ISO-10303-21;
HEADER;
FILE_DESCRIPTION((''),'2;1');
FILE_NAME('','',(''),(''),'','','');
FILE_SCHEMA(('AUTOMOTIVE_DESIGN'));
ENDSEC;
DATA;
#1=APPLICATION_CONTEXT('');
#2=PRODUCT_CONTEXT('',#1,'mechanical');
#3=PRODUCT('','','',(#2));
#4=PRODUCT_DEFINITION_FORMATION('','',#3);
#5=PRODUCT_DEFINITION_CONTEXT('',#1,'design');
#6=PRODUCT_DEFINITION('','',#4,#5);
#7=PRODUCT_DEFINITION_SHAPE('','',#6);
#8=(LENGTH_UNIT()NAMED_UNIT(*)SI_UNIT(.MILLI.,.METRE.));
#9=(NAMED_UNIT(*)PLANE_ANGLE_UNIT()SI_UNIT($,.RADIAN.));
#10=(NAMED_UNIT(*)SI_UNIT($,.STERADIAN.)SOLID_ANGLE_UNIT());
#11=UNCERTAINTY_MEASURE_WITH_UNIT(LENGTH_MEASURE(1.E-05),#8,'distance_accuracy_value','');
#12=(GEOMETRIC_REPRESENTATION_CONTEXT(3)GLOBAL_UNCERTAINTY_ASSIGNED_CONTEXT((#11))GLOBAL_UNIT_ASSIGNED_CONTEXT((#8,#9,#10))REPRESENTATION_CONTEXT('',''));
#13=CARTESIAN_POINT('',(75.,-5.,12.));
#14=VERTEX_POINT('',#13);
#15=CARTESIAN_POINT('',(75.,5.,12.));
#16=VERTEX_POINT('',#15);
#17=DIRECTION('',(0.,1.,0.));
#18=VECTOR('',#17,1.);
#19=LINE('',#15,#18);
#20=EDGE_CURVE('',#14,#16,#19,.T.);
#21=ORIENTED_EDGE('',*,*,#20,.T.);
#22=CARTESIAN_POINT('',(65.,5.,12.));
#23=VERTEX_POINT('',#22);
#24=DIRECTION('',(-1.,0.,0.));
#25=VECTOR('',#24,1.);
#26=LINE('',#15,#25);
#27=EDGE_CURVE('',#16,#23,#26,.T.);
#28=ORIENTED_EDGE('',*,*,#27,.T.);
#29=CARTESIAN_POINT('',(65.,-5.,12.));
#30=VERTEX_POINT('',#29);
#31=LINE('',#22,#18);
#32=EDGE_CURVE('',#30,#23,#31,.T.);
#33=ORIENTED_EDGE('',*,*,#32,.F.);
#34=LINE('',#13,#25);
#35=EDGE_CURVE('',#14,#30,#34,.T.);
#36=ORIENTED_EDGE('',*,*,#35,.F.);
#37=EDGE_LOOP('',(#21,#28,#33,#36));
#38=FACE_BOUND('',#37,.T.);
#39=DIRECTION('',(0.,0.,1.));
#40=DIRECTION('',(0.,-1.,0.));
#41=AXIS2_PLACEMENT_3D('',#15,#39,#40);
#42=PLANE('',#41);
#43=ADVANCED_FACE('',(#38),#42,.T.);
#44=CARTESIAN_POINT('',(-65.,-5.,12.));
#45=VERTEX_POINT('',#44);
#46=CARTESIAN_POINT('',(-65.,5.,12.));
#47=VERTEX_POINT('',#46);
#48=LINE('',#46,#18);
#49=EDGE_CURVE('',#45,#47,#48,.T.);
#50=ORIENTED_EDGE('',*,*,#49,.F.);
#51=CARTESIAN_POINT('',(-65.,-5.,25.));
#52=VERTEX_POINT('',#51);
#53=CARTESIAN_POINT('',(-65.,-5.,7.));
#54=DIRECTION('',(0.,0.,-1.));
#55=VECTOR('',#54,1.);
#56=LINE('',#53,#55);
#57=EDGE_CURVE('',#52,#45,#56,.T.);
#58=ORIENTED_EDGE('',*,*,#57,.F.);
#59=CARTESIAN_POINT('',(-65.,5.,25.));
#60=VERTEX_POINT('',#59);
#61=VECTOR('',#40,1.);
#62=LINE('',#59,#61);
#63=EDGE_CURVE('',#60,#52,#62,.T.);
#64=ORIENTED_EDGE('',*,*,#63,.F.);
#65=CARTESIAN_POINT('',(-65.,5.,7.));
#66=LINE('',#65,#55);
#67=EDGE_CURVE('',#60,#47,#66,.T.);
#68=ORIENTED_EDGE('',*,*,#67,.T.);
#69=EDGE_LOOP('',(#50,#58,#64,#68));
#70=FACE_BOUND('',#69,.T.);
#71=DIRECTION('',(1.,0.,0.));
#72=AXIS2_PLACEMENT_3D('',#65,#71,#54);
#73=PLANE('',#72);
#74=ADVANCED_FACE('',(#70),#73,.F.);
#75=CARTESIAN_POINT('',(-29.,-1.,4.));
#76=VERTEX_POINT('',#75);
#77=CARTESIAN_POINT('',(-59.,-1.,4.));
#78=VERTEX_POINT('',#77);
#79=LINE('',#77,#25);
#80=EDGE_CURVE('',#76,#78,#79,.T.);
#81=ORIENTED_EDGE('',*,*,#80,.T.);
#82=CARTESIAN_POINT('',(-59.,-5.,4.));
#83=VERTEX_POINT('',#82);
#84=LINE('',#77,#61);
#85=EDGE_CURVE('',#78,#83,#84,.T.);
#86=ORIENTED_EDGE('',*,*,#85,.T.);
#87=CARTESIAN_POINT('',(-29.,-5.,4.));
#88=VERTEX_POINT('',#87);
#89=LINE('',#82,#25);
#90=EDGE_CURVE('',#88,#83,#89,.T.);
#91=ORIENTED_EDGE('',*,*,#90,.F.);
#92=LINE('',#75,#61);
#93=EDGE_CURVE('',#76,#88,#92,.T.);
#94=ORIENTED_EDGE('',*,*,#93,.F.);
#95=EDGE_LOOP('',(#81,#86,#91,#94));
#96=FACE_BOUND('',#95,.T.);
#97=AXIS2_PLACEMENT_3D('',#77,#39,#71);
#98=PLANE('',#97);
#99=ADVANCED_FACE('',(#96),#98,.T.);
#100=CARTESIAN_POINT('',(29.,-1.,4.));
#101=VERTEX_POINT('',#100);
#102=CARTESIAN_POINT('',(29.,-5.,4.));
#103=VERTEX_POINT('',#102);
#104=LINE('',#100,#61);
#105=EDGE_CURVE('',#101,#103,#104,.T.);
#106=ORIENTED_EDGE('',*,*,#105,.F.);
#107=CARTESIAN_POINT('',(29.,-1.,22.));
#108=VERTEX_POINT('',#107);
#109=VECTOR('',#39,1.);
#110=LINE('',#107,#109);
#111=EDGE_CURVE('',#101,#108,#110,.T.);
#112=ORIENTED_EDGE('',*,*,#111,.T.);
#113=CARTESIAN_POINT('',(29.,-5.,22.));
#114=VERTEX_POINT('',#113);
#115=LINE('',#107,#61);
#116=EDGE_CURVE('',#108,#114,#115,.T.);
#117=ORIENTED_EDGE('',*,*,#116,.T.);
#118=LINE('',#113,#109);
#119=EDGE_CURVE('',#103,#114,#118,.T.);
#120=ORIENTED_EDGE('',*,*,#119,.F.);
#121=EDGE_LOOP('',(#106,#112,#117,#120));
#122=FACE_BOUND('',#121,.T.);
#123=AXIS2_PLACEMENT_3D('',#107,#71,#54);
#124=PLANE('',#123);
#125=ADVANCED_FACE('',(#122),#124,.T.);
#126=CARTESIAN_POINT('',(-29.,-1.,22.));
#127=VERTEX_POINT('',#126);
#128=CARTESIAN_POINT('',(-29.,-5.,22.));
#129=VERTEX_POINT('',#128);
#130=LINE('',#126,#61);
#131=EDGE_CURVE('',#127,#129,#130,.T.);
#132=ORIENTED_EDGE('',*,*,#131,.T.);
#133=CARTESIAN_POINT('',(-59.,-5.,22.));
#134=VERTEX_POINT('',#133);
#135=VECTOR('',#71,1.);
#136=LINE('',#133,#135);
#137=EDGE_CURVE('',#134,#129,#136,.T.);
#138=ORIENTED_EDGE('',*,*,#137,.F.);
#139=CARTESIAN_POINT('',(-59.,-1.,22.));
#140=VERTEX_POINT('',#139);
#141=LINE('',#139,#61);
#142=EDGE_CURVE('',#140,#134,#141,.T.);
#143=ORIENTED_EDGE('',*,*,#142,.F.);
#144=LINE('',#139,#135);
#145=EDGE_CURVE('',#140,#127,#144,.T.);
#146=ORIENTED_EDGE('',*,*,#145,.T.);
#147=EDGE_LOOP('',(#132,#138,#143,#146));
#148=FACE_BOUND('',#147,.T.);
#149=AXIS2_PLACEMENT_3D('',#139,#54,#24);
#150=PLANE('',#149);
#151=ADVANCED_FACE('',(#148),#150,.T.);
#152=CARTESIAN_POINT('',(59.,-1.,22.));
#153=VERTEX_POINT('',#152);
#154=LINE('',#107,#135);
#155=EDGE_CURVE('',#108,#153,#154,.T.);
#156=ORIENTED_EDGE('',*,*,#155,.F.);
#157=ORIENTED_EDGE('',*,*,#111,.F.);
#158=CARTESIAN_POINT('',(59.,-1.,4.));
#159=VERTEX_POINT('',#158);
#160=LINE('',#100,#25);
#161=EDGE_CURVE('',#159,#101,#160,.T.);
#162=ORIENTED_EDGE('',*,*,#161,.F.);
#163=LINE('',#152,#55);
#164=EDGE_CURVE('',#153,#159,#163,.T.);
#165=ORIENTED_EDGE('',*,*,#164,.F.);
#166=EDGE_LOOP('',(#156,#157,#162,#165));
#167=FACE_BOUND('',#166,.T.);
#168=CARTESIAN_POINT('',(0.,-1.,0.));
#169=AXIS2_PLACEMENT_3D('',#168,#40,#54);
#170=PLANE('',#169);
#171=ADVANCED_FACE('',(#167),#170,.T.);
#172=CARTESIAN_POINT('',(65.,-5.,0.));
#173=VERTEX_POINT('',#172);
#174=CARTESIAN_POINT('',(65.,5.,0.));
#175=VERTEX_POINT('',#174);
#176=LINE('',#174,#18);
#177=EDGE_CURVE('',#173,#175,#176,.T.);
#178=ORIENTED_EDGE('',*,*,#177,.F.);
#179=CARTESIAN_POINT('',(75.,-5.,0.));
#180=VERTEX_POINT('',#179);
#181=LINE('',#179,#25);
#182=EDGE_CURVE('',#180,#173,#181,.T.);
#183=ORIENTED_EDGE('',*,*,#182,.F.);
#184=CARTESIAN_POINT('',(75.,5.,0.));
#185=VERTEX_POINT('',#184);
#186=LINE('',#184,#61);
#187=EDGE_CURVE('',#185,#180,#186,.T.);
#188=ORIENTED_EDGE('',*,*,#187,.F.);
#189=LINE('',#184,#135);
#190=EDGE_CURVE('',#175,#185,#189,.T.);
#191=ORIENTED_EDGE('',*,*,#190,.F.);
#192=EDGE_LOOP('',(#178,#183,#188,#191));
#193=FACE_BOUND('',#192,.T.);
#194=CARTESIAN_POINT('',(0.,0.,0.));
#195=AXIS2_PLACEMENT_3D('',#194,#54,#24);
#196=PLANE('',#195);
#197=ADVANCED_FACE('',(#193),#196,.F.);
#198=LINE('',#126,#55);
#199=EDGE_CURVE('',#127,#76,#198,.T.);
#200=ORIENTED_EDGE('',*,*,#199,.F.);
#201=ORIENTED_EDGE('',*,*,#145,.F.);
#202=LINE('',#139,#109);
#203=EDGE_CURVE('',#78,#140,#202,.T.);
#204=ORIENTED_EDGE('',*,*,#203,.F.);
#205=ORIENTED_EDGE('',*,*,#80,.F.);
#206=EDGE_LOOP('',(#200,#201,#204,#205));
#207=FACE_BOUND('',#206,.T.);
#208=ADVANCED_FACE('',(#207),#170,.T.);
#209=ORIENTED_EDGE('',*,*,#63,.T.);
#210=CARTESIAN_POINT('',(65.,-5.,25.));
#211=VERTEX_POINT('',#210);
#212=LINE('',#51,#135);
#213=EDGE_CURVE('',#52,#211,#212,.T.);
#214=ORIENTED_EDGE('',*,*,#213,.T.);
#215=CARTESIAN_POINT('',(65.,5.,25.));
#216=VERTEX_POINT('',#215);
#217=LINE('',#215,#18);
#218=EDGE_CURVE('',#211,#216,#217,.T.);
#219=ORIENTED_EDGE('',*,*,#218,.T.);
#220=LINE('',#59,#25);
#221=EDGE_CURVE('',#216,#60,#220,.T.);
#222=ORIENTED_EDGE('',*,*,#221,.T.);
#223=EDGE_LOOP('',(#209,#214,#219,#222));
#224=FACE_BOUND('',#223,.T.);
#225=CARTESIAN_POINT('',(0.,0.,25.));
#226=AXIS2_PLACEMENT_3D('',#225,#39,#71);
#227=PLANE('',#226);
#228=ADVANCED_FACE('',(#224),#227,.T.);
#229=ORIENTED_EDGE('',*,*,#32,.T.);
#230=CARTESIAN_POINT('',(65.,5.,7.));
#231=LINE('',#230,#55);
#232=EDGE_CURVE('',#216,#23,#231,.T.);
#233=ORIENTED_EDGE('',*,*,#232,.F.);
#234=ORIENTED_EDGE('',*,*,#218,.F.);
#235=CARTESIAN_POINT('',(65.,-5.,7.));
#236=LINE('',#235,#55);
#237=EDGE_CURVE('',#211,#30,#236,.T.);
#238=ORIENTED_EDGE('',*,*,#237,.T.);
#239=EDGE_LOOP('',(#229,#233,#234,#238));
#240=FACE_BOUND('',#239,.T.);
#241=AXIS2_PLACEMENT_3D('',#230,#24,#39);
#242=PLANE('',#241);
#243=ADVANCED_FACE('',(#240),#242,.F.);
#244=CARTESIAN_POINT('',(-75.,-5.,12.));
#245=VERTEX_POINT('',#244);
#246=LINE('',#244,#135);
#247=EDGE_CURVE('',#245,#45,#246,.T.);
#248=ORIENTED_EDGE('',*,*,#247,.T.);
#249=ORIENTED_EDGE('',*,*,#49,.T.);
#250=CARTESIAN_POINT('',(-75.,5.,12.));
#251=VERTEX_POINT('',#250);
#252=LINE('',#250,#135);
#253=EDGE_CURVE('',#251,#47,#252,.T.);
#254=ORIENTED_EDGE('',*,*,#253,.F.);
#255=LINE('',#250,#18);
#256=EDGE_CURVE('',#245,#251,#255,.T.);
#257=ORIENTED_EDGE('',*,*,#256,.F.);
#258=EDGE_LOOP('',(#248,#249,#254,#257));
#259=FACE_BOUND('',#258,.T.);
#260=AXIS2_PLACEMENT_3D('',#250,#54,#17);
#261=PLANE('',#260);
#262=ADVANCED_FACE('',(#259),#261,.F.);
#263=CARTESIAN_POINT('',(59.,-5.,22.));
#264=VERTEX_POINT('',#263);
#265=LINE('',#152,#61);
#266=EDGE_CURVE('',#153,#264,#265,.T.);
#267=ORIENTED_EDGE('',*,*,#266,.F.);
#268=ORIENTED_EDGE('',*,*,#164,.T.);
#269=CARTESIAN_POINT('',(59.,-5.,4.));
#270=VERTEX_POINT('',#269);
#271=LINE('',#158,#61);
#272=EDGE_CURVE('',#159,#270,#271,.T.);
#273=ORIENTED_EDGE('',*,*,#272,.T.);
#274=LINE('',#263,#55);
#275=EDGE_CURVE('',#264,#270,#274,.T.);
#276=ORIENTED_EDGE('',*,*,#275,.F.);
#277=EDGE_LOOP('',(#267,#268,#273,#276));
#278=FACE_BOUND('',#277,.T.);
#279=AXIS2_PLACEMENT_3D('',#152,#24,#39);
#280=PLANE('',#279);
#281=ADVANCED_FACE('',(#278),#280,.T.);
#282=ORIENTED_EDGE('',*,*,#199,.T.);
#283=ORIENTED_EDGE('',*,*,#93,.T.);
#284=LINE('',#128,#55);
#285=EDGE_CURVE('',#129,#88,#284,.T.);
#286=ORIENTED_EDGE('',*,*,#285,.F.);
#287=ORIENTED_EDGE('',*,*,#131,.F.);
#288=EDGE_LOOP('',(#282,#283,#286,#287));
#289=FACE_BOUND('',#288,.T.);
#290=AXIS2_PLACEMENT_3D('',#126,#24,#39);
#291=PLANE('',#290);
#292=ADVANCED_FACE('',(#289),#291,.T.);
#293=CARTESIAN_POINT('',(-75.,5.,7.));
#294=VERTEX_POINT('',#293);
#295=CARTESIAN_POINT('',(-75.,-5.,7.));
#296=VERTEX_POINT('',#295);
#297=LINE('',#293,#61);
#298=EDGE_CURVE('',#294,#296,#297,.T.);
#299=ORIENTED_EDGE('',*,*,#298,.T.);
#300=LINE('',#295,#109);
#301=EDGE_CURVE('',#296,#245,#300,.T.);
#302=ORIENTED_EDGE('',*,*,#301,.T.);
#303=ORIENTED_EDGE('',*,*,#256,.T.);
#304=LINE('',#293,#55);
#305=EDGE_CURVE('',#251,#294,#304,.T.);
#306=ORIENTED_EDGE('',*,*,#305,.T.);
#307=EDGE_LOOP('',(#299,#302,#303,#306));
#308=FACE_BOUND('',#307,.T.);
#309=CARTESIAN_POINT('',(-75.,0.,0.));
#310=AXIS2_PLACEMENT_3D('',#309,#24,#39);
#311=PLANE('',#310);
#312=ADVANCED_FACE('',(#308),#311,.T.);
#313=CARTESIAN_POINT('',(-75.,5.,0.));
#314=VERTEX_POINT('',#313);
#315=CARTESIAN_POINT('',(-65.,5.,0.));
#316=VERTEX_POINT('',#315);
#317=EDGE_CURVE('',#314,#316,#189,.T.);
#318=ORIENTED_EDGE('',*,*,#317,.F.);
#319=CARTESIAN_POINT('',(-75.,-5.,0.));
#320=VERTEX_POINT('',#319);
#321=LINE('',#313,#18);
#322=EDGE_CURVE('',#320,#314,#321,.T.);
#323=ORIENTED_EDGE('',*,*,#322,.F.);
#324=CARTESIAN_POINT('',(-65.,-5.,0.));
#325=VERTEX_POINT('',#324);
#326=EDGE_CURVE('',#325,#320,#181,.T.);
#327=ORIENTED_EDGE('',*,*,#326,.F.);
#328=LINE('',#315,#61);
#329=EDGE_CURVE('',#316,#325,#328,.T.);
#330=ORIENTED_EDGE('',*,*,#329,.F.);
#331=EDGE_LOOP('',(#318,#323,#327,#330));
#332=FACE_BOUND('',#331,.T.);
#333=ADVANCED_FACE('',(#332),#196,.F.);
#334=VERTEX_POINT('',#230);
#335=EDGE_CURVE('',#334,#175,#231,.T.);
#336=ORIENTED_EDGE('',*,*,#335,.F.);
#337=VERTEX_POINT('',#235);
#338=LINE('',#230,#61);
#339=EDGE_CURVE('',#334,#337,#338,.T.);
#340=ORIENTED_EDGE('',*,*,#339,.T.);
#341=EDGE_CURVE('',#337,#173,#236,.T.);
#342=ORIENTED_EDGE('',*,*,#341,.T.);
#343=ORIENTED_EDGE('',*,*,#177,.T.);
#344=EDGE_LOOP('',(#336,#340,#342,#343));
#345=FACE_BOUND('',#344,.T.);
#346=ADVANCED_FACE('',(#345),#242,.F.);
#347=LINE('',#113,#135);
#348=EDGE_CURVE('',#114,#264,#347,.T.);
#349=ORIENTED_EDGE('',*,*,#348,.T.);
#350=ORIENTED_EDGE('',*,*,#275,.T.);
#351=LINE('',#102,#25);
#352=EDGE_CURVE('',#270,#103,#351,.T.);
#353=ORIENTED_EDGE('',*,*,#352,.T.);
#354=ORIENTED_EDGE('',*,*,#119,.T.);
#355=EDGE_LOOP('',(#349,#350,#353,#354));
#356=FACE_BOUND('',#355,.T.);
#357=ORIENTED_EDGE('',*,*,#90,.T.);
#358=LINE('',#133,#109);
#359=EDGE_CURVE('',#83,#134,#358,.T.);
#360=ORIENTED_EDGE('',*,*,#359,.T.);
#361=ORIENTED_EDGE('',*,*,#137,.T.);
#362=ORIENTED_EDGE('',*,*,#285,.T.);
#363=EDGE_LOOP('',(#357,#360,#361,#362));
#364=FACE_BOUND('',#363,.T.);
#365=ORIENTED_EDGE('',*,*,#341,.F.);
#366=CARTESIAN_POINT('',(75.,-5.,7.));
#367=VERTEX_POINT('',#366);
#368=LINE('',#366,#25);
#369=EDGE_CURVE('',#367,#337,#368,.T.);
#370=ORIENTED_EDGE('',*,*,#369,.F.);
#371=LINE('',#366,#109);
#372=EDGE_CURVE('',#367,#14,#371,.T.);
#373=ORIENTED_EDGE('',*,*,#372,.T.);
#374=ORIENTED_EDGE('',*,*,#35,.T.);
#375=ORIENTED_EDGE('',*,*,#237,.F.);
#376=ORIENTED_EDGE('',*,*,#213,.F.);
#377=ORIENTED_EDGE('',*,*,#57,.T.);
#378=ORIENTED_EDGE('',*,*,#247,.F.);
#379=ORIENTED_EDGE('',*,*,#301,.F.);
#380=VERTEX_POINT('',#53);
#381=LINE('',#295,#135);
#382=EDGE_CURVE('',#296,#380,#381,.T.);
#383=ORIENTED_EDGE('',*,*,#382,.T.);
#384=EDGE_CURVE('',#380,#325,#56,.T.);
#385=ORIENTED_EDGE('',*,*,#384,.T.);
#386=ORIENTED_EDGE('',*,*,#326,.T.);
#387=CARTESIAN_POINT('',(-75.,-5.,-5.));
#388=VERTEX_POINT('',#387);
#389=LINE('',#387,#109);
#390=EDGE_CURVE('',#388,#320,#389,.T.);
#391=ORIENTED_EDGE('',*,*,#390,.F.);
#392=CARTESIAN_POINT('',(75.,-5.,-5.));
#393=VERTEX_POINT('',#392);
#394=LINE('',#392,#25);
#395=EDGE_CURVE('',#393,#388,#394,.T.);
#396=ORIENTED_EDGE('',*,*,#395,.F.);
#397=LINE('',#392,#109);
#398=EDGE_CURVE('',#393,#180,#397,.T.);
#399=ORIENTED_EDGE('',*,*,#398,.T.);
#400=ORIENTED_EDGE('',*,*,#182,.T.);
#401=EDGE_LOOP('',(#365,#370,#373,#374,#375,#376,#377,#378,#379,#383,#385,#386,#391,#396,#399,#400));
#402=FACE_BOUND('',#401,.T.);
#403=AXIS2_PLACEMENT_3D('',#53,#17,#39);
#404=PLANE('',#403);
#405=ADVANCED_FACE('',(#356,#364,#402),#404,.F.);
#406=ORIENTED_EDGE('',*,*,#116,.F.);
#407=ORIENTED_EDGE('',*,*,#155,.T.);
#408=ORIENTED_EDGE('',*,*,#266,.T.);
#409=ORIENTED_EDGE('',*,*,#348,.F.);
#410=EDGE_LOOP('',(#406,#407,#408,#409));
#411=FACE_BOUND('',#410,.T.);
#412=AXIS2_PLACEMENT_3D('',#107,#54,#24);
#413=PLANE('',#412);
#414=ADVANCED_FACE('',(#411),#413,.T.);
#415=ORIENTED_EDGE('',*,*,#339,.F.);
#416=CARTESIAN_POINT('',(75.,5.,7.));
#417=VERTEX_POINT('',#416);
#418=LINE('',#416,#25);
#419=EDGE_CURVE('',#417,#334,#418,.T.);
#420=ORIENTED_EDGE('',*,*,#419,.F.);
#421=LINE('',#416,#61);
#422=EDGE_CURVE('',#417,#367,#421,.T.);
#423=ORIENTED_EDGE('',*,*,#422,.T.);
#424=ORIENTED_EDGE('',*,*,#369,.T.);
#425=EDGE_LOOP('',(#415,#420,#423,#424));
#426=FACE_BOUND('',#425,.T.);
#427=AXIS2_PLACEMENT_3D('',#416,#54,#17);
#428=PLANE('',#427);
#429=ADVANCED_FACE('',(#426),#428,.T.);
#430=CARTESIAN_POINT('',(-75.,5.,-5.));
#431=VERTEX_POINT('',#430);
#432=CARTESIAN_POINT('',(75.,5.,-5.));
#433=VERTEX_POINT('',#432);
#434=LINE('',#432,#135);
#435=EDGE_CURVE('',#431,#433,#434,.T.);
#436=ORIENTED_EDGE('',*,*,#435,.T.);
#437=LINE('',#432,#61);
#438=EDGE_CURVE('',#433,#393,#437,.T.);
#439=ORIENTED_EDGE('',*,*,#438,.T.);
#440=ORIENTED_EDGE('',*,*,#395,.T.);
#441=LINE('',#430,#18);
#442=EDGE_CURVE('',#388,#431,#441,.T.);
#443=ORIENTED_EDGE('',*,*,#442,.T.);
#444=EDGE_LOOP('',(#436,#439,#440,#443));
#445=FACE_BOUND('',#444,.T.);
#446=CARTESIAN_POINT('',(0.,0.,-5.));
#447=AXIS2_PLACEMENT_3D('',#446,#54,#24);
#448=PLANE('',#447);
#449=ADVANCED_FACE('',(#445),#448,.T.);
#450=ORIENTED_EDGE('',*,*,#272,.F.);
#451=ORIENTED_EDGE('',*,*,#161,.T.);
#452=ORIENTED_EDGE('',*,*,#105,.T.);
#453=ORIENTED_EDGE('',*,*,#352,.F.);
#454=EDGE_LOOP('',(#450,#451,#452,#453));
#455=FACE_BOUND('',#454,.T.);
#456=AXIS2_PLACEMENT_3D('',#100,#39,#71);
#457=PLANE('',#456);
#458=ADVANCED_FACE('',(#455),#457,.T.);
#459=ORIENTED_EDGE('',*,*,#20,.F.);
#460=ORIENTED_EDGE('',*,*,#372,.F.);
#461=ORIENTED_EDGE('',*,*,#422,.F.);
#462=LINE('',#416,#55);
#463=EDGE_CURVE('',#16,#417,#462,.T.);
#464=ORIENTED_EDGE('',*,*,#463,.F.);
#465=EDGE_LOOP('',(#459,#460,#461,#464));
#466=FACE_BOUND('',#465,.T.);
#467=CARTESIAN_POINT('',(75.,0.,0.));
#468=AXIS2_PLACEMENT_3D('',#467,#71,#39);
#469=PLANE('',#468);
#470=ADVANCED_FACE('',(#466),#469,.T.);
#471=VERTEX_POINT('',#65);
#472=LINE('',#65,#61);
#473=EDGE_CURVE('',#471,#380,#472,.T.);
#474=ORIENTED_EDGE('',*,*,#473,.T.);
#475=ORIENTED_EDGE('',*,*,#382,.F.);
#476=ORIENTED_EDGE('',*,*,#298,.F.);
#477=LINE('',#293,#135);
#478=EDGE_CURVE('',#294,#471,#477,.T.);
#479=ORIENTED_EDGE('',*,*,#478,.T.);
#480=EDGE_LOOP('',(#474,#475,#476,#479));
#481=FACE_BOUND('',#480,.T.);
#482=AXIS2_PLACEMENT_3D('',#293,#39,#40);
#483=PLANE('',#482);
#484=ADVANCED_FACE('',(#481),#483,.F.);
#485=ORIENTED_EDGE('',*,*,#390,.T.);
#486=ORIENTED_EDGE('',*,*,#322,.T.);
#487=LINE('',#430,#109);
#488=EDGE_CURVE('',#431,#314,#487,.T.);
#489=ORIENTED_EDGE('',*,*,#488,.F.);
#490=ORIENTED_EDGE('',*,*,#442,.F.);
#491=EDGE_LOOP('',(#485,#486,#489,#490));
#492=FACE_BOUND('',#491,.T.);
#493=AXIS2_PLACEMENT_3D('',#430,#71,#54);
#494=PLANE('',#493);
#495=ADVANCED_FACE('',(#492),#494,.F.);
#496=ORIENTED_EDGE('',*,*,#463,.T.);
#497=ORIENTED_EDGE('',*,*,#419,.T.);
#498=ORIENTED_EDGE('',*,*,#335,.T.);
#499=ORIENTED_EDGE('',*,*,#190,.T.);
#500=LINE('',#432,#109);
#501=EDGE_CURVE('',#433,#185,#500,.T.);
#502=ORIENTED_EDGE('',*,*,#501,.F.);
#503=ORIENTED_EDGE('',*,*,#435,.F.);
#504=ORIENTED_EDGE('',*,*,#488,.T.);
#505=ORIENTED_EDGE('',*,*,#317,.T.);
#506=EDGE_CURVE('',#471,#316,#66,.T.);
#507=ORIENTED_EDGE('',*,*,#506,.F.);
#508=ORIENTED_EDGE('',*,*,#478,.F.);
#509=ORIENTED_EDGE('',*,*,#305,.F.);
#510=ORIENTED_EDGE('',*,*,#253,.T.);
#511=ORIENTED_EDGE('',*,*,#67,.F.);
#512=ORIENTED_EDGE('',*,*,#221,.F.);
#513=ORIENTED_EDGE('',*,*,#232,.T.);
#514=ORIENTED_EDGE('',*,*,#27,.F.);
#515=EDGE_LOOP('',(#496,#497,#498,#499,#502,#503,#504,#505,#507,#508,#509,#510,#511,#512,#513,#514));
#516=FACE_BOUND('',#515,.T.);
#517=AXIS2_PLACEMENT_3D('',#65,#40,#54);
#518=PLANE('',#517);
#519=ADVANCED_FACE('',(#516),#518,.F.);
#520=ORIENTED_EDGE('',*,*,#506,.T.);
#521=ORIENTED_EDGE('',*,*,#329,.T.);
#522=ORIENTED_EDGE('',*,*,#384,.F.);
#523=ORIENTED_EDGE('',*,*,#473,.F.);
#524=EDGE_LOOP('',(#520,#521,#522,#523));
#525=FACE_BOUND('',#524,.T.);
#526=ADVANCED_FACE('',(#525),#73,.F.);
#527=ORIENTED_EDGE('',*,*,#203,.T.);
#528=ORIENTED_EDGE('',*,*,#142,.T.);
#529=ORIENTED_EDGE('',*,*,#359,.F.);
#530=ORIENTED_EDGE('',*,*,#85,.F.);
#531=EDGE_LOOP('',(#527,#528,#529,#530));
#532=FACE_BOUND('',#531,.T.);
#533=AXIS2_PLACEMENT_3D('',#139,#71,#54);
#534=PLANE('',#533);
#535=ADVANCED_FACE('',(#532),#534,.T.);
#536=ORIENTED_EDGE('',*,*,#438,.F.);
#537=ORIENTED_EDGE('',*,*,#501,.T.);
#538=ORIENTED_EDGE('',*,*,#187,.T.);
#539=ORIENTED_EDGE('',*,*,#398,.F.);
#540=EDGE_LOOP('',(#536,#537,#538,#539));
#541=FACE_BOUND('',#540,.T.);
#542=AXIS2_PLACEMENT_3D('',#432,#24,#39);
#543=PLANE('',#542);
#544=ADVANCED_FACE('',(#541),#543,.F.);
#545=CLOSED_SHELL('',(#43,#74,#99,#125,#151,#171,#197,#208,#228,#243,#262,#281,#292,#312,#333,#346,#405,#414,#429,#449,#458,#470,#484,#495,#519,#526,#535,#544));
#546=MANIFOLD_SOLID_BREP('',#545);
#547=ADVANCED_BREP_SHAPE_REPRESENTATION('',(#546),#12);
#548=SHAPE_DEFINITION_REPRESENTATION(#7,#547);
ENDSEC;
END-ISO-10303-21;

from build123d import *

# Parameters (mm, degrees)
SKETCH_1_W          = 130
SKETCH_1_H          = 10
EXTRUDE_1_DEPTH     = 7
SKETCH_2_W          = 150
SKETCH_2_H          = 10
EXTRUDE_2_DEPTH     = 5
SKETCH_5_W          = 130
SKETCH_5_H          = 10
EXTRUDE_4_DEPTH     = 18
SKETCH_3_W          = 30
SKETCH_3_H          = 18
CUT_EXTRUDE_1_DEPTH = 4
SKETCH_6_W          = 5
SKETCH_6_H          = 10
EXTRUDE_5_DEPTH     = 10


with BuildPart() as part:
    # 스케치1 → 보스-돌출1 (new body)
    with BuildSketch(Plane.XY):
        Rectangle(SKETCH_1_W, SKETCH_1_H)
    extrude(amount=EXTRUDE_1_DEPTH)

    # 스케치2 → 보스-돌출2 (add)
    with BuildSketch(Plane(origin=(0, 0, 0), x_dir=(-1, 0, 0), z_dir=(0, 0, -1))):
        Rectangle(SKETCH_2_W, SKETCH_2_H)
    extrude(amount=EXTRUDE_2_DEPTH)

    # 스케치5 → 보스-돌출4 (add)
    with BuildSketch(Plane.XY.offset(7)):
        Rectangle(SKETCH_5_W, SKETCH_5_H)
    extrude(amount=EXTRUDE_4_DEPTH)

    # 스케치3 → 컷-돌출1 (cut)
    with BuildSketch(Plane(origin=(0, -5, 0), x_dir=(1, 0, 0), z_dir=(0, 1, 0))):
        with Locations((-44, -13)):
            Rectangle(SKETCH_3_W, SKETCH_3_H)
        with Locations((44, -13)):
            Rectangle(SKETCH_3_W, SKETCH_3_H)
    extrude(amount=CUT_EXTRUDE_1_DEPTH, mode=Mode.SUBTRACT)

    # 스케치6 → 보스-돌출5 (add)
    with BuildSketch(Plane.ZY.offset(65)):
        with Locations((9.5, 0)):
            Rectangle(SKETCH_6_W, SKETCH_6_H)
    extrude_5 = extrude(amount=EXTRUDE_5_DEPTH)

    # 대칭 복사1: 보스-돌출5 across plane
    add(extrude_5.mirror(Plane.ZY))


solid = part.part
